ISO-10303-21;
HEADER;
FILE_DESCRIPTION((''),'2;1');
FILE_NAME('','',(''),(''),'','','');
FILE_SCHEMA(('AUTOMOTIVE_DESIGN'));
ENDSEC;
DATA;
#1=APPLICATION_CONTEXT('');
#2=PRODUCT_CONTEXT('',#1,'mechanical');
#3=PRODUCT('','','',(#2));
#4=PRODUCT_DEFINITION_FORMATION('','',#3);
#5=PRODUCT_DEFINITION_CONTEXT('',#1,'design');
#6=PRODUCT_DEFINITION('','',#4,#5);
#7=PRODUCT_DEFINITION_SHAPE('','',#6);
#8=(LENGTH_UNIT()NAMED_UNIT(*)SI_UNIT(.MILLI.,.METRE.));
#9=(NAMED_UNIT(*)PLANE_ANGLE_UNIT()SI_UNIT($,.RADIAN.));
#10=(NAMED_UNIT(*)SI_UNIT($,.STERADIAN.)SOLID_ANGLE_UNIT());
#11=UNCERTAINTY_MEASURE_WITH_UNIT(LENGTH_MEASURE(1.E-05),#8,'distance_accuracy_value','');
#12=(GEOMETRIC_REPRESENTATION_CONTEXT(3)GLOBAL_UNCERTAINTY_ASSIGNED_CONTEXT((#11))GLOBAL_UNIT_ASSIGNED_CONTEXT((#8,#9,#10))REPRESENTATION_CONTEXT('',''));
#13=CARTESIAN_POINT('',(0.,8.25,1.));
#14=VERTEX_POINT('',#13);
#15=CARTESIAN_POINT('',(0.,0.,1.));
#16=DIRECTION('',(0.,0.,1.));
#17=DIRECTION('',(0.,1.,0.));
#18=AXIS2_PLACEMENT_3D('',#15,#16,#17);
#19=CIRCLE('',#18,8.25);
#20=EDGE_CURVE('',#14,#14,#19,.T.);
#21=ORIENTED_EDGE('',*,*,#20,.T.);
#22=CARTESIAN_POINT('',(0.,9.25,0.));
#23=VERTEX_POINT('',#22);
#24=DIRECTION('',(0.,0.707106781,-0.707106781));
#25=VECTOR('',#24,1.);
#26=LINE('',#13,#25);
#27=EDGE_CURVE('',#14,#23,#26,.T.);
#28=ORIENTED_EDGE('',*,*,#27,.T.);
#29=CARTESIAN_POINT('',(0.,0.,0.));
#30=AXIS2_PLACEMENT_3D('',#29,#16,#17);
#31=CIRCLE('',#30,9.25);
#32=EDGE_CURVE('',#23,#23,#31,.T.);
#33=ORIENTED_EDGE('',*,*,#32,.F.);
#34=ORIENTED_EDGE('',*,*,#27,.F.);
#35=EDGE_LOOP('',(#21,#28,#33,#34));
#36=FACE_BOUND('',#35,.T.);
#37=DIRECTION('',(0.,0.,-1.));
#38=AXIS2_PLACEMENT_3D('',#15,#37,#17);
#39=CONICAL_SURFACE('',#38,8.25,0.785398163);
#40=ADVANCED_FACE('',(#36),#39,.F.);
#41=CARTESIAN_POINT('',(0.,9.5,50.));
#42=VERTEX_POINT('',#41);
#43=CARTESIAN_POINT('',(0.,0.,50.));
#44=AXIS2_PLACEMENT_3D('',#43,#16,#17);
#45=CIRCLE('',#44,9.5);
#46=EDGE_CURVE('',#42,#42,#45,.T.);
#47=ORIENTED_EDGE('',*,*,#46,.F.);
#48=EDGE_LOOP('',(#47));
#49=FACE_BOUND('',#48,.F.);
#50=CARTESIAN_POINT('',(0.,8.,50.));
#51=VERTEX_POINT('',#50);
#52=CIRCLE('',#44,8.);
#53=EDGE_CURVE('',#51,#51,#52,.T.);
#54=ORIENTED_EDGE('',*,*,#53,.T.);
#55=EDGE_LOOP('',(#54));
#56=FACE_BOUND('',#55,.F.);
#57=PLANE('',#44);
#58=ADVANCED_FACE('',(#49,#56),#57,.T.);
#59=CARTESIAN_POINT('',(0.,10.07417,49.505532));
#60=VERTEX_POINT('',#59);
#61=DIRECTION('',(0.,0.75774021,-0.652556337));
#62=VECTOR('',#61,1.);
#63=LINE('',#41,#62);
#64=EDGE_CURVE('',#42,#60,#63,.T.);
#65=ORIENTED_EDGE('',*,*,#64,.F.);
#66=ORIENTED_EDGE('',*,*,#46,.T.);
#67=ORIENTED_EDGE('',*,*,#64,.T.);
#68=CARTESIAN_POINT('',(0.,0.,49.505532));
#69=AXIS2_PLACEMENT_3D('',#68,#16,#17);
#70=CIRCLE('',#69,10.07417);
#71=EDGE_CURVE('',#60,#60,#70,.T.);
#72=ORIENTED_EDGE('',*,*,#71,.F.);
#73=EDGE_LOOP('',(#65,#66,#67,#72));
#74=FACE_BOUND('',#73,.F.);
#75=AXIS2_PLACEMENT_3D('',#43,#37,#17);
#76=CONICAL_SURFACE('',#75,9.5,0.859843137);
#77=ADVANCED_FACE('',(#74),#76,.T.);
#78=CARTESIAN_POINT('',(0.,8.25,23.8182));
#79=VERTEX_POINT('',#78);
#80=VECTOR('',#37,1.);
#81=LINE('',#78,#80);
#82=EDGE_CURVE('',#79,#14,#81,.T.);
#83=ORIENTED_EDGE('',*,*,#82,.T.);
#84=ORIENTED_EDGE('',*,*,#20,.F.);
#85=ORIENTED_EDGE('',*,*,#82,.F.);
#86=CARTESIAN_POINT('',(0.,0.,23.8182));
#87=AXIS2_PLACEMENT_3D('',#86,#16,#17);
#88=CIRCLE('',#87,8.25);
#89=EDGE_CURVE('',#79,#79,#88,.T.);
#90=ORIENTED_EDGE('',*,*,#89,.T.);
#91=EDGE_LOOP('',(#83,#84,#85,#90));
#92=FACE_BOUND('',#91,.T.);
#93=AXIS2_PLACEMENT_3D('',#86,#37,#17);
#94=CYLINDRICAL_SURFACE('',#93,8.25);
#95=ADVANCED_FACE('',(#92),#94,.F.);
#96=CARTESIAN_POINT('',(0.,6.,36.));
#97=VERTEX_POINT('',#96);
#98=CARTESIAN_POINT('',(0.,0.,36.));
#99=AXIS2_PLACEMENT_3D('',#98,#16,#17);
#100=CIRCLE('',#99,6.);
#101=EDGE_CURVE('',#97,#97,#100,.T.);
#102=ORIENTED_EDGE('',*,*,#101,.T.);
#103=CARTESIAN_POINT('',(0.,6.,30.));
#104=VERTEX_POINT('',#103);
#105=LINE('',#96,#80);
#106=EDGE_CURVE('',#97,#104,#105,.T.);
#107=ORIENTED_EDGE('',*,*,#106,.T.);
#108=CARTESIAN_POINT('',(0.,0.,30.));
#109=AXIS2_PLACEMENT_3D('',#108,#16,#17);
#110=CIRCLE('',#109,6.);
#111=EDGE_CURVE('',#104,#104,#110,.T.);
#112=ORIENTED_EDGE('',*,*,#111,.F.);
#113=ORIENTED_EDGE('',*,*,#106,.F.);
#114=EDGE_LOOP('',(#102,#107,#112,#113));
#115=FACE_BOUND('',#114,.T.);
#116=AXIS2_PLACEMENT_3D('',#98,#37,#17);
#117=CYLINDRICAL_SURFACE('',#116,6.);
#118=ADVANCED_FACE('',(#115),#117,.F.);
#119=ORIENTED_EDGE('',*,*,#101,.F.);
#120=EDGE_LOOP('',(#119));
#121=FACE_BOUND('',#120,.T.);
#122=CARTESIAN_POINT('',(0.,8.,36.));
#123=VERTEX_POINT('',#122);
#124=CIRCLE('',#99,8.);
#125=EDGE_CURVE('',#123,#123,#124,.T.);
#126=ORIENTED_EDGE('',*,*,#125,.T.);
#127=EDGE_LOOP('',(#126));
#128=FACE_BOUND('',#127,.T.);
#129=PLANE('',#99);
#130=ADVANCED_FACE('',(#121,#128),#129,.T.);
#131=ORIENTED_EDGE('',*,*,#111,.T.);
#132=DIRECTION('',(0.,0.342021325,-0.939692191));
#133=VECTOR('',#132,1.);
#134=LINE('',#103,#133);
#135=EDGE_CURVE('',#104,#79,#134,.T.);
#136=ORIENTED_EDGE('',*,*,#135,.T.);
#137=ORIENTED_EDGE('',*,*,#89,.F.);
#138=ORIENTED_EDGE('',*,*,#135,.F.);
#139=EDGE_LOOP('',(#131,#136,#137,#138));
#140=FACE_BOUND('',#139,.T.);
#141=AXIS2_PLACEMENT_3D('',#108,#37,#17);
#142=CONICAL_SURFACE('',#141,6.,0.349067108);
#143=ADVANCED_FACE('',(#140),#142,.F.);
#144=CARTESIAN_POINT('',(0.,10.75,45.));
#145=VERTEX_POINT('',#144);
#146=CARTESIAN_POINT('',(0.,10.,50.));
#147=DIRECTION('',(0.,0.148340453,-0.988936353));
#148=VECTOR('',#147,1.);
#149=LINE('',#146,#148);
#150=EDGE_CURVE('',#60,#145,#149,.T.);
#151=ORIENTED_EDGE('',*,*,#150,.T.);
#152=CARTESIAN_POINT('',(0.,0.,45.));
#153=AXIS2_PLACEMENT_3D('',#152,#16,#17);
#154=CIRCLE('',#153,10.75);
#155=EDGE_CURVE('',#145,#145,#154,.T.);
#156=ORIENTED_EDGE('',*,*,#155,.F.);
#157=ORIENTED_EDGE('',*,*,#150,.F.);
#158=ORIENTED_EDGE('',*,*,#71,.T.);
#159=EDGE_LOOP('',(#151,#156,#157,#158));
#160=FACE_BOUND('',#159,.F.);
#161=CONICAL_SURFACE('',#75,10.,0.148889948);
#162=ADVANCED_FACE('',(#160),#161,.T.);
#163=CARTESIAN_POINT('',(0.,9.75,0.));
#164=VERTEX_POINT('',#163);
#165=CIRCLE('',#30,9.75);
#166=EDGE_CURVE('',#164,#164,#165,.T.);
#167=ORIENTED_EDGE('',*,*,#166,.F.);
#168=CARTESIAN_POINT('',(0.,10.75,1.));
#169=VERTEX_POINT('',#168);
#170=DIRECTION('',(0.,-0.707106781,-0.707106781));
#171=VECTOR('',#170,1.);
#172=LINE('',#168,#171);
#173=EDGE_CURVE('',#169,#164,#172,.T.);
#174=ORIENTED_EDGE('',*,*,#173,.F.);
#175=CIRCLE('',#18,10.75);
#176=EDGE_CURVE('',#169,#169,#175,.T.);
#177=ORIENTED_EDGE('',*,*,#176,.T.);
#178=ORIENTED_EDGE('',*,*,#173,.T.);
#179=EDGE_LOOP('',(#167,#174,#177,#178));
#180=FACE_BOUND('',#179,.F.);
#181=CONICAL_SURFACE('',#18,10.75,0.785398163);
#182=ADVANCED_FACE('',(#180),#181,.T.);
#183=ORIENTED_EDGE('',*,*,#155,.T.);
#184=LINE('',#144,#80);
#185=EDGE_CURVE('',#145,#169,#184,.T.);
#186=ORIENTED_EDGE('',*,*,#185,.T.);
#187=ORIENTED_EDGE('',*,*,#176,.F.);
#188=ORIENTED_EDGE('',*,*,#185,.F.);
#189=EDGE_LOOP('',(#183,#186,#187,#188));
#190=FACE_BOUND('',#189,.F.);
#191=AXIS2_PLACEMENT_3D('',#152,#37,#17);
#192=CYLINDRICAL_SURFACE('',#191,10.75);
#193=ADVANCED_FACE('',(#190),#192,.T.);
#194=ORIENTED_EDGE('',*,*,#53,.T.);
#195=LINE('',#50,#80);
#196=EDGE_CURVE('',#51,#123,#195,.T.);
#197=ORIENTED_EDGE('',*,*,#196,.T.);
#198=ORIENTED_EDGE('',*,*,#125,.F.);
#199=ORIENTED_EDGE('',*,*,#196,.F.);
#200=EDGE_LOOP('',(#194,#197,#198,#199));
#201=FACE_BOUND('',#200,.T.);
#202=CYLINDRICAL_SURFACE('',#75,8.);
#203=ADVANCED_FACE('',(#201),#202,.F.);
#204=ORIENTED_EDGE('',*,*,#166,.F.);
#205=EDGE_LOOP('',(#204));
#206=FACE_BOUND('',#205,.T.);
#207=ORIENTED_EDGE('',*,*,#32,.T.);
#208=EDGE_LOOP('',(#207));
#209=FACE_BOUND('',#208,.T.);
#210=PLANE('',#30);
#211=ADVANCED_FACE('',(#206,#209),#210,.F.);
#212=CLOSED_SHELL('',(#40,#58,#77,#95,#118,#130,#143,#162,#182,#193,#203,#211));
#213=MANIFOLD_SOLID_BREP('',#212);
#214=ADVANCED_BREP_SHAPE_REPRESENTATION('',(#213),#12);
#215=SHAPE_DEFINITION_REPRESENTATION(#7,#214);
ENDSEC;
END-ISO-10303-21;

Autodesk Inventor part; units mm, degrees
ref_plane "XZ Plane" through (0, 0, 0) normal (0, 1, 0) x (-1, 0, 0)
ref_plane "XY Plane" through (0, 0, 0) normal (0, 0, 1) x (1, 0, 0)
sketch "Esquisse1" plane through (0, 0, 0) normal (1, 0, 0) x (0, 1, 0)
  line L0 (0, 0) -> (0, 17.1522)
  line L1 (8, 50) -> (8, 36)
  line L2 (8, 36) -> (6, 36)
  line L3 (6, 36) -> (6, 30)
  line L4 (6, 30) -> (8.25, 23.8182)
  line L5 (8.25, 23.8182) -> (8.25, 1)
  line L6 (8.25, 1) -> (9.25, 0)
  line L7 (9.25, 0) -> (9.75, 0)
  line L8 (8, 50) -> (10, 50)
  line L9 (10, 50) -> (10.75, 45)
  line L10 (10.75, 45) -> (10.75, 1)
  line L11 (10.75, 1) -> (9.75, 0)
  dimension "d0" = 160
  dimension "d1" = 6
  dimension "d2" = 14
  dimension "d4" = 16
  dimension "d6" = 16.5
  dimension "d8" = 1
  dimension "d9" = 1
  dimension "d10" = 30
  dimension "d11" = 2
  dimension "d12" = 2
  dimension "d13" = 21.5
  dimension "d14" = 2.5
  dimension "d15" = 5
  dimension "d19" = 1
  dimension "d20" = 1
  dimension "d48" = 2.75
  dimension "d49" = 4.75
revolve "Révolution1" add sketch "Esquisse1" angle 360 about axis through (0, 0, 0) along (0, 0, 1)
thread "Filetage1" size "M16x2" class "6H" standard "ISO Metric profile" full length
ref_plane "Plan de construction2" through (14, 0, 0) normal (1, 0, 0) x (0, 1, 0)
chamfer "Chanfrein4" distance 0.5 angle 45 1 edges at (0, -10, 50)
properties part number "support_douille" material "Aluminium 6061"
